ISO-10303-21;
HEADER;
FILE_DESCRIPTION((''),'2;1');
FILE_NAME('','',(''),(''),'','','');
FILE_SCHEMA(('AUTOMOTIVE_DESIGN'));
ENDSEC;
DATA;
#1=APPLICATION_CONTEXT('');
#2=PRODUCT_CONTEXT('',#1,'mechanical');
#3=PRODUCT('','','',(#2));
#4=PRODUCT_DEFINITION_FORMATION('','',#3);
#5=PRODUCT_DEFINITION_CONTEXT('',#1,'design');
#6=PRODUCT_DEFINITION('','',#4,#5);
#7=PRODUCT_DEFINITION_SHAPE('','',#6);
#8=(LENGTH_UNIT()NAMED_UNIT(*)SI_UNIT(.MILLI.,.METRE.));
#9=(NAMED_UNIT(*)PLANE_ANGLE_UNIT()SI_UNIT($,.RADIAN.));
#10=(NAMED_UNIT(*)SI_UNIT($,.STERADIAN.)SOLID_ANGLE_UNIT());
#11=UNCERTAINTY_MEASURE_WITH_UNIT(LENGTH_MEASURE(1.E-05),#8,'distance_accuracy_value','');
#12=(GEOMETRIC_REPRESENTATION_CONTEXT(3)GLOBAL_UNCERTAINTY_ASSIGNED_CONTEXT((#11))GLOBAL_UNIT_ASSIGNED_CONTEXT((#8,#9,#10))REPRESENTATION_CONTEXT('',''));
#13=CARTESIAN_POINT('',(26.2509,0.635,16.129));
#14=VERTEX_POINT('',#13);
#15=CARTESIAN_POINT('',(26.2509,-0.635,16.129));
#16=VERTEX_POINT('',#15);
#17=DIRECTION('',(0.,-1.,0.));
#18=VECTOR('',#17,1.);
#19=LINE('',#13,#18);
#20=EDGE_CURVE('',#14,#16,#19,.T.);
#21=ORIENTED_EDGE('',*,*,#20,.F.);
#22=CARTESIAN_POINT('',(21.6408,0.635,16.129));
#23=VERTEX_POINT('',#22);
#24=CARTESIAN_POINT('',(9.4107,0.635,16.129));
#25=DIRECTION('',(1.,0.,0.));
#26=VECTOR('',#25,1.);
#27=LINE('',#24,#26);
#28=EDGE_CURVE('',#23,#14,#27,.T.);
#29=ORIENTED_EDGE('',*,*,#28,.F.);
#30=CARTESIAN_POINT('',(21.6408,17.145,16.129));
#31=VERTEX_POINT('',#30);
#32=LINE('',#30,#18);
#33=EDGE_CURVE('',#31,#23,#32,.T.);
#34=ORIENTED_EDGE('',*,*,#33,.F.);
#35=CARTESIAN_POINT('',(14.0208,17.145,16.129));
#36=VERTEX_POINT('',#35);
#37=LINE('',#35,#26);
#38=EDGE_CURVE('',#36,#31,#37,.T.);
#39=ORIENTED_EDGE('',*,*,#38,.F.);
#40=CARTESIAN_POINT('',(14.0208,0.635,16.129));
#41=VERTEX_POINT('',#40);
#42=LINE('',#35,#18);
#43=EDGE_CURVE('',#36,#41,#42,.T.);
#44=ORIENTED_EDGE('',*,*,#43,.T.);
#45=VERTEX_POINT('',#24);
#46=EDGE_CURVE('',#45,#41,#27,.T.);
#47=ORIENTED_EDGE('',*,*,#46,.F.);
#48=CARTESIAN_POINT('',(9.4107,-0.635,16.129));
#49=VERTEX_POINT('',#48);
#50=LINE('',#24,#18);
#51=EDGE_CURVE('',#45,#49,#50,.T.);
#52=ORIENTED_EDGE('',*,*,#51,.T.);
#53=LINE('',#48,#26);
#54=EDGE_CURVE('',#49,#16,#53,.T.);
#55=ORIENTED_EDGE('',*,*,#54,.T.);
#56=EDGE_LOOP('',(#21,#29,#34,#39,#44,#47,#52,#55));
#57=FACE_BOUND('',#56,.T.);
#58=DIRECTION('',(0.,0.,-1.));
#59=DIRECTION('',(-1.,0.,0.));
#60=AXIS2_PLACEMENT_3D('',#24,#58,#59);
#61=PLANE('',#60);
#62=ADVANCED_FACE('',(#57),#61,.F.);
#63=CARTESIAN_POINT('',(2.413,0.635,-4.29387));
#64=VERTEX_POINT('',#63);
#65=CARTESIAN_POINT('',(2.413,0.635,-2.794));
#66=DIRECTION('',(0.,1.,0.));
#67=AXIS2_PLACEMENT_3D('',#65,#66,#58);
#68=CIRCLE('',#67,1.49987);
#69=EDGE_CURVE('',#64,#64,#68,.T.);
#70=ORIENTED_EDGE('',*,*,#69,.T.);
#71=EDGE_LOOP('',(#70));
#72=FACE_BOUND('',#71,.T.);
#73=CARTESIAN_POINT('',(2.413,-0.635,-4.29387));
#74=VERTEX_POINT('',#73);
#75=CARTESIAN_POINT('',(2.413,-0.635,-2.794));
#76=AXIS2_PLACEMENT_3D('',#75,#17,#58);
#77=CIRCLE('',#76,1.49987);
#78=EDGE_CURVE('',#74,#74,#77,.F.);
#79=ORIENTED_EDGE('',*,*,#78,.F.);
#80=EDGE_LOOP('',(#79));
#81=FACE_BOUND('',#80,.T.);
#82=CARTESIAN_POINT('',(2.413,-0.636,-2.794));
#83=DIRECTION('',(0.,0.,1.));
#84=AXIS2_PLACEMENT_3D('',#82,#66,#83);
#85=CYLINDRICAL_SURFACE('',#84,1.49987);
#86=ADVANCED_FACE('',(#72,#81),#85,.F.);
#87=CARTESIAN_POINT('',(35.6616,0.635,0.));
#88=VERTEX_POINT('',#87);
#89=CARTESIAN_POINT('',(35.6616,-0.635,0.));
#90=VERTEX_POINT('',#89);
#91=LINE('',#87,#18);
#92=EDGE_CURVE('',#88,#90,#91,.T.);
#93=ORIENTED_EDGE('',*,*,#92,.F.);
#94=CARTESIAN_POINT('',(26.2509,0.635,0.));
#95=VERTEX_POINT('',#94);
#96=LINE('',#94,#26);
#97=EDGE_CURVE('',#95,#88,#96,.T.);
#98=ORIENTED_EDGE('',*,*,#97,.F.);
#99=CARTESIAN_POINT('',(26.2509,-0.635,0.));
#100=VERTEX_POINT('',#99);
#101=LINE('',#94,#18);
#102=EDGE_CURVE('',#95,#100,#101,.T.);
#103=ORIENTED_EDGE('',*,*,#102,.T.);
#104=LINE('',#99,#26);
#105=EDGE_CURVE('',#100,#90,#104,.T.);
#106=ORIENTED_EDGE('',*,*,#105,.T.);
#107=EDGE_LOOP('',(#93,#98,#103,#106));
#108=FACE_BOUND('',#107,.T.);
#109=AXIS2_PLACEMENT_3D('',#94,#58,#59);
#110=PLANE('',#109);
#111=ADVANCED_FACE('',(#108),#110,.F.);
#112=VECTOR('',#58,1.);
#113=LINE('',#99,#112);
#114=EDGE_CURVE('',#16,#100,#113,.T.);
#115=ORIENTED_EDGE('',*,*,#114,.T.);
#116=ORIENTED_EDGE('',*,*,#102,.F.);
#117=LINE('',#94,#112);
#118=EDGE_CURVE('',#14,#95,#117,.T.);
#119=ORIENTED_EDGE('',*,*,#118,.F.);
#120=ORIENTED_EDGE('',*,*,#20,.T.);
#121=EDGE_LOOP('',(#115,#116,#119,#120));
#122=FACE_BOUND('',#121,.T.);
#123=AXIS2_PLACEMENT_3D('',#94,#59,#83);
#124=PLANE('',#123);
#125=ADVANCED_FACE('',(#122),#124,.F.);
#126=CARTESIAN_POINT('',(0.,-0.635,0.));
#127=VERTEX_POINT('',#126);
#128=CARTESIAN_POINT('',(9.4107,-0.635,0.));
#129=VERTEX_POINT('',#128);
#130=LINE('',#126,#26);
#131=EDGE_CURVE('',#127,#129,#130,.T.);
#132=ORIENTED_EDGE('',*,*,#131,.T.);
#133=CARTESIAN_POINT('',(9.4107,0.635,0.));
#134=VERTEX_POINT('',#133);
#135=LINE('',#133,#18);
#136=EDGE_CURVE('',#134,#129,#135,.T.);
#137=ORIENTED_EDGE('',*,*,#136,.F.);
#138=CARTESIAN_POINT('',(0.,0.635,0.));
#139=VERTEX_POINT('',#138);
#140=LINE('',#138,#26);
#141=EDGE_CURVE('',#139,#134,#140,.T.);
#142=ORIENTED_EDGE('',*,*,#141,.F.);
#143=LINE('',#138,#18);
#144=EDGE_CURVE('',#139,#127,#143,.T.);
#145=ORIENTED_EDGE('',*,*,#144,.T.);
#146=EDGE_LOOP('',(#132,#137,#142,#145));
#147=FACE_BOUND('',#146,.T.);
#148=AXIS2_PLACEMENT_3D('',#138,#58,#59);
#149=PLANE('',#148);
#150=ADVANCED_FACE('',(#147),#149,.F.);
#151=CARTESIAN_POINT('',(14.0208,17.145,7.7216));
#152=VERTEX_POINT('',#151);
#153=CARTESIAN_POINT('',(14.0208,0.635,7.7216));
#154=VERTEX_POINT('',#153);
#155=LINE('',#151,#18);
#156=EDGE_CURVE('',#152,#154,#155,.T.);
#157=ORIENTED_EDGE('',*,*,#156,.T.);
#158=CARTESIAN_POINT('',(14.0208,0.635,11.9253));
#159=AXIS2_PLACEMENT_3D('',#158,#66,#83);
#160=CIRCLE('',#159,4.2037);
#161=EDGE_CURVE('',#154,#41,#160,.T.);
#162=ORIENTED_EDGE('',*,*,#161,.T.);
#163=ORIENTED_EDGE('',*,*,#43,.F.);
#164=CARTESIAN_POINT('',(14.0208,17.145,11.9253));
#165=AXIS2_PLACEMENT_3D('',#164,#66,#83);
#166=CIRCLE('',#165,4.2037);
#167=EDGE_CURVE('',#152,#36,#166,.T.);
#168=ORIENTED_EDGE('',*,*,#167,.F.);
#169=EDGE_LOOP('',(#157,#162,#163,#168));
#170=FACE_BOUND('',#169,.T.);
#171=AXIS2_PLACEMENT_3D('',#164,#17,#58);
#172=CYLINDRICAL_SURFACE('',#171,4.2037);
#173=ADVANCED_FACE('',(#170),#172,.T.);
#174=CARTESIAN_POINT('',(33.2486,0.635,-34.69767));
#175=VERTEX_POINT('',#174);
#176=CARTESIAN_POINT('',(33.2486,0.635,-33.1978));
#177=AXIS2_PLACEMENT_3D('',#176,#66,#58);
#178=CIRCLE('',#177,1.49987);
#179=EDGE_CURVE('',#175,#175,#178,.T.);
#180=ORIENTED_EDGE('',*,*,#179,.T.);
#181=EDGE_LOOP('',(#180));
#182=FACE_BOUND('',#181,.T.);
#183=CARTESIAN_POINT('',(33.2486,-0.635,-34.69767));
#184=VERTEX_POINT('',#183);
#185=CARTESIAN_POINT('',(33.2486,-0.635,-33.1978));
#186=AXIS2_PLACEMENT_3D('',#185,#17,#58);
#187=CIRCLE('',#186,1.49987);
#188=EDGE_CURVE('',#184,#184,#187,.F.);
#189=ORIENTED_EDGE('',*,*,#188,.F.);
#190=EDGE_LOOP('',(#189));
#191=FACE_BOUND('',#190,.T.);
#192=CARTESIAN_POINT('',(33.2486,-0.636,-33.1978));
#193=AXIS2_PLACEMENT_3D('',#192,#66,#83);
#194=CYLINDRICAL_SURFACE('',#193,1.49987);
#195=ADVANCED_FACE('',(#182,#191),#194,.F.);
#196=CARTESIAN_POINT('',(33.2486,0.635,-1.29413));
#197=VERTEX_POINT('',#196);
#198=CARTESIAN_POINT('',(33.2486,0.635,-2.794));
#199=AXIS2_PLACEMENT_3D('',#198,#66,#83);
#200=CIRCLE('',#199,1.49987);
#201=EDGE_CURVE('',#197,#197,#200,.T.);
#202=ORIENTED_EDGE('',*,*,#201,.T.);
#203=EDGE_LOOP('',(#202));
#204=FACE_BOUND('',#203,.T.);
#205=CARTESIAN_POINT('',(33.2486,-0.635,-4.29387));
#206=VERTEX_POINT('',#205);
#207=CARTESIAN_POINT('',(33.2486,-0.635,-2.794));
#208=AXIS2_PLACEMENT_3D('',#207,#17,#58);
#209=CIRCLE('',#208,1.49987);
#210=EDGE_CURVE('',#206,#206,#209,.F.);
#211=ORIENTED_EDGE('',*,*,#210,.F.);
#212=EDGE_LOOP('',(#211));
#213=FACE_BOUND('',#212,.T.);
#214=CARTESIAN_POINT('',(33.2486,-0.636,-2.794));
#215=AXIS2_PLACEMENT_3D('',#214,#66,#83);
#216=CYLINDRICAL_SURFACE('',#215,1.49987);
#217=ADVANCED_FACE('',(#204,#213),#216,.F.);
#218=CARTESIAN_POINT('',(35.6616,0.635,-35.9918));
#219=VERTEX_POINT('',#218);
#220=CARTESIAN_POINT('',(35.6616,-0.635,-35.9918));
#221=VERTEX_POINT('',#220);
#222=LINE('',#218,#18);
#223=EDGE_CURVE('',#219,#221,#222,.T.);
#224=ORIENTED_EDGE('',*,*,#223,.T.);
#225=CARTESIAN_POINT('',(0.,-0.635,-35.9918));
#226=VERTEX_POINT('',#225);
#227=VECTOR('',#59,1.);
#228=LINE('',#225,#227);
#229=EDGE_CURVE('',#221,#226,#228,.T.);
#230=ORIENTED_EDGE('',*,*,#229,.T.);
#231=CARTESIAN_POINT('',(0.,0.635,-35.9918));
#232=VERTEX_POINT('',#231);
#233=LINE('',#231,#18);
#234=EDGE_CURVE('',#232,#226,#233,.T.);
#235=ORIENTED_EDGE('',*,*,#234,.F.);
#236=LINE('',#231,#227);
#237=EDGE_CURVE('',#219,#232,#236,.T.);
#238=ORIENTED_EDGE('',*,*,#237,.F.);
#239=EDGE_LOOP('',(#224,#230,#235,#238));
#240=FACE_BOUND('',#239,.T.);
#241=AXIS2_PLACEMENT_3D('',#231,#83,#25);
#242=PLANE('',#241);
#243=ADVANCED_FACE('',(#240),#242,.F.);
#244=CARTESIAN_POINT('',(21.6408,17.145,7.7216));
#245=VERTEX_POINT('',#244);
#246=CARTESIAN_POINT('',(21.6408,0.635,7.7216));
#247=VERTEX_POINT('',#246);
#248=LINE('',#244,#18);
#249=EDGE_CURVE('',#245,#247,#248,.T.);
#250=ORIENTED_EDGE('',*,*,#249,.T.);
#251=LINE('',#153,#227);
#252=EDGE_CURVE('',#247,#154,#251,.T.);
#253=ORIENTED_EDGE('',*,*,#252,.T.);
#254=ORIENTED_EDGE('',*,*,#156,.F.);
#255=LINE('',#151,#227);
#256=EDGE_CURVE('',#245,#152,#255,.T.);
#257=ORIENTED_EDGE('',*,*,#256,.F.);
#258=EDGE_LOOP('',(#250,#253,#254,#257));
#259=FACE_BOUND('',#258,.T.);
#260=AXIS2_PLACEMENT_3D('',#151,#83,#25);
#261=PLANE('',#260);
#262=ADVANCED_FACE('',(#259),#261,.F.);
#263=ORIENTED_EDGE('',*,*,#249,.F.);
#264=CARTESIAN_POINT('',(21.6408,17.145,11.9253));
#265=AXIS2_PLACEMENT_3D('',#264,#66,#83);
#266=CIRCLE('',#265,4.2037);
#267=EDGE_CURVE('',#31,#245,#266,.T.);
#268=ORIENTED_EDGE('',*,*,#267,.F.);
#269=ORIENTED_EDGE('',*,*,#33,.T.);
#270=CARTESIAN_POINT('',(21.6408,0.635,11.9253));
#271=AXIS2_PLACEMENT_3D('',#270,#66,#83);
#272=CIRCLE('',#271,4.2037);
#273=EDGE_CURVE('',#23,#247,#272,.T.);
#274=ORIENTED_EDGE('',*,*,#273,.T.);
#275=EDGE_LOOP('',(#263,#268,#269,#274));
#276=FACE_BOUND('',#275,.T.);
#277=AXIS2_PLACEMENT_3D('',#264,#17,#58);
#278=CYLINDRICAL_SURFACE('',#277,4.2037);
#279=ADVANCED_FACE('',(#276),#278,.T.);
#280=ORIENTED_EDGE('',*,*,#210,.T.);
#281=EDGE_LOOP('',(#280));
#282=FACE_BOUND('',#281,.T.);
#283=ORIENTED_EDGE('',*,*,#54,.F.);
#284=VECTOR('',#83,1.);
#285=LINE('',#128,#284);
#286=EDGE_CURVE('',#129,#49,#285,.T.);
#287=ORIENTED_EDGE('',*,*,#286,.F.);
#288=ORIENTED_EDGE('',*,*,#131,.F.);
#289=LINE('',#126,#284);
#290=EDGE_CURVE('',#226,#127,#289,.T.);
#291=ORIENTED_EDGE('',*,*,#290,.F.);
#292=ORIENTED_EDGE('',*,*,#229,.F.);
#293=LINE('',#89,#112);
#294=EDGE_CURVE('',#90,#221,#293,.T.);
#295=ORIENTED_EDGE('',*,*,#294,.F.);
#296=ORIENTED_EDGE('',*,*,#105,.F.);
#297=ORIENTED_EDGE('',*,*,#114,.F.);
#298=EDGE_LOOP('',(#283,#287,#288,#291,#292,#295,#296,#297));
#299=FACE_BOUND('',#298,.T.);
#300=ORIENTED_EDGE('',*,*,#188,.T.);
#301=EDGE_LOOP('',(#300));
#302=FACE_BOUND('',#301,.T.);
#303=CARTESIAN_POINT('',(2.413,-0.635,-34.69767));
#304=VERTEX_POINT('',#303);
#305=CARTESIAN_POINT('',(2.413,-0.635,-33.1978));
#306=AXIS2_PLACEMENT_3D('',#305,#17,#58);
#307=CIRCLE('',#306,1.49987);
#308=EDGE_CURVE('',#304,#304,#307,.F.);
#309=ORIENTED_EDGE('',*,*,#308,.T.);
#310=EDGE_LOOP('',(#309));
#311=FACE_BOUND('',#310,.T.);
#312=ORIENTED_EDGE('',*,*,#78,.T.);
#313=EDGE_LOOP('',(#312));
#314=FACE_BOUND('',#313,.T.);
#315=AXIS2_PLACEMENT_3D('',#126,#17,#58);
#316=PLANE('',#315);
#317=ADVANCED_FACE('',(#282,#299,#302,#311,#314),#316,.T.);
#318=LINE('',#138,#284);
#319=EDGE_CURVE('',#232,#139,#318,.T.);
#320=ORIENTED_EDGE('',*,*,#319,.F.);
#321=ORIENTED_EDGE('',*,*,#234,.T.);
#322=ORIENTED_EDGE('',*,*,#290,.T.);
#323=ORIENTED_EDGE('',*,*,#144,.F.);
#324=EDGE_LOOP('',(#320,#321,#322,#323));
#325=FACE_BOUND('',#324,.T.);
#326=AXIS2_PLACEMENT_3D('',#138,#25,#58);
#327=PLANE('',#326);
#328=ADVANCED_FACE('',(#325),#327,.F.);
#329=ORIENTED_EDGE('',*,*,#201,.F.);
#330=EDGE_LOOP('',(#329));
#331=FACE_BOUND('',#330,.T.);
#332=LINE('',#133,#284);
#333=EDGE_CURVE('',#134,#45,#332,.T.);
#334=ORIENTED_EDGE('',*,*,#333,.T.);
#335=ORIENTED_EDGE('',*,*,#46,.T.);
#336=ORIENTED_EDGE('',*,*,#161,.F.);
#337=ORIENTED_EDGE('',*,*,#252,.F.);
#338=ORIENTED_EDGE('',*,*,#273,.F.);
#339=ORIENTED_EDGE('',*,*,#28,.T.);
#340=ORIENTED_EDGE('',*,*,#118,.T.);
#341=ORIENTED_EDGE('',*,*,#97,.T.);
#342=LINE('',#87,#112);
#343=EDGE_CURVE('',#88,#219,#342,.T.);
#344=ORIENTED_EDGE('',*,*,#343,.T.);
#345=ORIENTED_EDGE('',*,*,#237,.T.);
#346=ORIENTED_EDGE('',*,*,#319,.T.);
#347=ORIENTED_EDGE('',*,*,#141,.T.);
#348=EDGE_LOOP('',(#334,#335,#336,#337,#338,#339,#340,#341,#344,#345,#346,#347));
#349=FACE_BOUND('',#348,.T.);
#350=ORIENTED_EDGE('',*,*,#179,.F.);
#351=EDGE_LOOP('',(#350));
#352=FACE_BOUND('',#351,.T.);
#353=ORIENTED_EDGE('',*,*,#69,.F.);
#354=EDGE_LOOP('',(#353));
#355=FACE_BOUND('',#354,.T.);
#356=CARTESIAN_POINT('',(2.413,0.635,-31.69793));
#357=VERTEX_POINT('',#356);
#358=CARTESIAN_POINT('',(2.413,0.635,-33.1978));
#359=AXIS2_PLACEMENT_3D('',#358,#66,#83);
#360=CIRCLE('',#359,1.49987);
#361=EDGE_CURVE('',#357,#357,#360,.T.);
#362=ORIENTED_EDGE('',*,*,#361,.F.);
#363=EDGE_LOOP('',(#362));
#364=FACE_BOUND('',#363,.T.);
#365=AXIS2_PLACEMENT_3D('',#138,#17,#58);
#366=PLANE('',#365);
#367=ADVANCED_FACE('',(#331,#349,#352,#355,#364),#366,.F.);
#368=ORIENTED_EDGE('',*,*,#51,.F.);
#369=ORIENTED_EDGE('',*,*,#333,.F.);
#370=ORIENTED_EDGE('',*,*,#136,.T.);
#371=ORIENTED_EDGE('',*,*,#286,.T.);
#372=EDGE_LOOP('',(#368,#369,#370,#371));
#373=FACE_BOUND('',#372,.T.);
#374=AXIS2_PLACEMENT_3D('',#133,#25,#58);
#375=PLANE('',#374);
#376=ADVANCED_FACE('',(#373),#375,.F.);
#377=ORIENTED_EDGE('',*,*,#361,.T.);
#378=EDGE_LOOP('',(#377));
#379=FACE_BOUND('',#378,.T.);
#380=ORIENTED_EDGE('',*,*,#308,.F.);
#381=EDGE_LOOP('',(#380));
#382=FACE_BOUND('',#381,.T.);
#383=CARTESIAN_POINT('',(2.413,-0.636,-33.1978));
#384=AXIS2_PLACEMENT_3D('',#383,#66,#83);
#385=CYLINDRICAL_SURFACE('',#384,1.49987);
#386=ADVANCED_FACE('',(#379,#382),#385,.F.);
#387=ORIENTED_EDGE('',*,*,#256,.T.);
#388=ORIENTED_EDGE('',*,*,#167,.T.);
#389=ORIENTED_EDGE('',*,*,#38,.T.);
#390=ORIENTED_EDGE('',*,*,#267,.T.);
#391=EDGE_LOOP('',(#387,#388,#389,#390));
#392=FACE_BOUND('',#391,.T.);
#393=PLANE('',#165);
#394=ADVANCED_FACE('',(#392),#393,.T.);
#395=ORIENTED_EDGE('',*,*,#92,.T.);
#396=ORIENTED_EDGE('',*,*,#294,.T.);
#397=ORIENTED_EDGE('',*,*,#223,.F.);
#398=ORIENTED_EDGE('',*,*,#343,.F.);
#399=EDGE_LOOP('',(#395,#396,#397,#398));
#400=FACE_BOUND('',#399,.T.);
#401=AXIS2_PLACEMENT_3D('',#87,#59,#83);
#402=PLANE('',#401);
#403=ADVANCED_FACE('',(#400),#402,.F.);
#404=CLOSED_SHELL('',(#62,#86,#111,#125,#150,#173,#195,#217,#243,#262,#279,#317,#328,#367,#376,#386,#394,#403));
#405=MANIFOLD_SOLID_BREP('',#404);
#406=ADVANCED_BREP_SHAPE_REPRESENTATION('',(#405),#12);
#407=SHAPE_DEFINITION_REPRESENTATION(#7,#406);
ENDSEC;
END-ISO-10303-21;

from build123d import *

# Parameters (mm, degrees)
BOSS_EXTRUDE1_DEPTH = 0.635
BOSS_EXTRUDE2_DEPTH = 16.51
CUT_EXTRUDE2_REACH  = 55.289
SKETCH3_R           = 1.49987


with BuildPart() as part:
    # Sketch1 → Boss-Extrude1 (new, symmetric)
    with BuildSketch(Plane(origin=(0, 0, 0), x_dir=(1, 0, 0), z_dir=(0, 1, 0))):
        Polygon((0, 0), (9.4107, 0), (9.4107, -16.129), (26.2509, -16.129), (26.2509, 0), (35.6616, 0), (35.6616, 35.9918), (0, 35.9918), align=None)
    extrude(amount=BOSS_EXTRUDE1_DEPTH, both=True)

    # Sketch2 → Boss-Extrude2 (add)
    with BuildSketch(Plane(origin=(0, 0.635, 0), x_dir=(1, 0, 0), z_dir=(0, 1, 0))):
        with BuildLine():
            Line((14.0208, -7.7216), (21.6408, -7.7216))
            ThreePointArc((21.6408, -7.7216), (25.8445, -11.9253), (21.6408, -16.129))
            Line((21.6408, -16.129), (14.0208, -16.129))
            ThreePointArc((14.0208, -16.129), (9.8171, -11.9253), (14.0208, -7.7216))
        make_face()
    extrude(amount=BOSS_EXTRUDE2_DEPTH)

    # Sketch3 → Cut-Extrude2 (cut, up to next)
    with BuildSketch(Plane(origin=(0, 0.635, 0), x_dir=(1, 0, 0), z_dir=(0, 1, 0)), mode=Mode.PRIVATE) as cut_extrude2_sk1:
        with Locations(Location((2.413, 33.1978, 0), (0, 0, 270))):
            Circle(SKETCH3_R)
    cut_extrude2_tool1 = extrude(cut_extrude2_sk1.sketch, amount=-CUT_EXTRUDE2_REACH, mode=Mode.PRIVATE) & part.part
    # Sketch3 → Cut-Extrude2 (cut, up to next)
    with BuildSketch(Plane(origin=(0, 0.635, 0), x_dir=(1, 0, 0), z_dir=(0, 1, 0)), mode=Mode.PRIVATE) as cut_extrude2_sk2:
        with Locations(Location((2.413, 2.794, 0), (0, 0, 90))):
            Circle(SKETCH3_R)
    cut_extrude2_tool2 = extrude(cut_extrude2_sk2.sketch, amount=-CUT_EXTRUDE2_REACH, mode=Mode.PRIVATE) & part.part
    # Sketch3 → Cut-Extrude2 (cut, up to next)
    with BuildSketch(Plane(origin=(0, 0.635, 0), x_dir=(1, 0, 0), z_dir=(0, 1, 0)), mode=Mode.PRIVATE) as cut_extrude2_sk3:
        with Locations(Location((33.2486, 2.794, 0), (0, 0, 270))):
            Circle(SKETCH3_R)
    cut_extrude2_tool3 = extrude(cut_extrude2_sk3.sketch, amount=-CUT_EXTRUDE2_REACH, mode=Mode.PRIVATE) & part.part
    # Sketch3 → Cut-Extrude2 (cut, up to next)
    with BuildSketch(Plane(origin=(0, 0.635, 0), x_dir=(1, 0, 0), z_dir=(0, 1, 0)), mode=Mode.PRIVATE) as cut_extrude2_sk4:
        with Locations(Location((33.2486, 33.1978, 0), (0, 0, 90))):
            Circle(SKETCH3_R)
    cut_extrude2_tool4 = extrude(cut_extrude2_sk4.sketch, amount=-CUT_EXTRUDE2_REACH, mode=Mode.PRIVATE) & part.part
    add(cut_extrude2_tool1.solids().sort_by_distance((2.413, 0.635, -33.1978))[0], mode=Mode.SUBTRACT)
    add(cut_extrude2_tool2.solids().sort_by_distance((2.413, 0.635, -2.794))[0], mode=Mode.SUBTRACT)
    add(cut_extrude2_tool3.solids().sort_by_distance((33.2486, 0.635, -2.794))[0], mode=Mode.SUBTRACT)
    add(cut_extrude2_tool4.solids().sort_by_distance((33.2486, 0.635, -33.1978))[0], mode=Mode.SUBTRACT)


solid = part.part
